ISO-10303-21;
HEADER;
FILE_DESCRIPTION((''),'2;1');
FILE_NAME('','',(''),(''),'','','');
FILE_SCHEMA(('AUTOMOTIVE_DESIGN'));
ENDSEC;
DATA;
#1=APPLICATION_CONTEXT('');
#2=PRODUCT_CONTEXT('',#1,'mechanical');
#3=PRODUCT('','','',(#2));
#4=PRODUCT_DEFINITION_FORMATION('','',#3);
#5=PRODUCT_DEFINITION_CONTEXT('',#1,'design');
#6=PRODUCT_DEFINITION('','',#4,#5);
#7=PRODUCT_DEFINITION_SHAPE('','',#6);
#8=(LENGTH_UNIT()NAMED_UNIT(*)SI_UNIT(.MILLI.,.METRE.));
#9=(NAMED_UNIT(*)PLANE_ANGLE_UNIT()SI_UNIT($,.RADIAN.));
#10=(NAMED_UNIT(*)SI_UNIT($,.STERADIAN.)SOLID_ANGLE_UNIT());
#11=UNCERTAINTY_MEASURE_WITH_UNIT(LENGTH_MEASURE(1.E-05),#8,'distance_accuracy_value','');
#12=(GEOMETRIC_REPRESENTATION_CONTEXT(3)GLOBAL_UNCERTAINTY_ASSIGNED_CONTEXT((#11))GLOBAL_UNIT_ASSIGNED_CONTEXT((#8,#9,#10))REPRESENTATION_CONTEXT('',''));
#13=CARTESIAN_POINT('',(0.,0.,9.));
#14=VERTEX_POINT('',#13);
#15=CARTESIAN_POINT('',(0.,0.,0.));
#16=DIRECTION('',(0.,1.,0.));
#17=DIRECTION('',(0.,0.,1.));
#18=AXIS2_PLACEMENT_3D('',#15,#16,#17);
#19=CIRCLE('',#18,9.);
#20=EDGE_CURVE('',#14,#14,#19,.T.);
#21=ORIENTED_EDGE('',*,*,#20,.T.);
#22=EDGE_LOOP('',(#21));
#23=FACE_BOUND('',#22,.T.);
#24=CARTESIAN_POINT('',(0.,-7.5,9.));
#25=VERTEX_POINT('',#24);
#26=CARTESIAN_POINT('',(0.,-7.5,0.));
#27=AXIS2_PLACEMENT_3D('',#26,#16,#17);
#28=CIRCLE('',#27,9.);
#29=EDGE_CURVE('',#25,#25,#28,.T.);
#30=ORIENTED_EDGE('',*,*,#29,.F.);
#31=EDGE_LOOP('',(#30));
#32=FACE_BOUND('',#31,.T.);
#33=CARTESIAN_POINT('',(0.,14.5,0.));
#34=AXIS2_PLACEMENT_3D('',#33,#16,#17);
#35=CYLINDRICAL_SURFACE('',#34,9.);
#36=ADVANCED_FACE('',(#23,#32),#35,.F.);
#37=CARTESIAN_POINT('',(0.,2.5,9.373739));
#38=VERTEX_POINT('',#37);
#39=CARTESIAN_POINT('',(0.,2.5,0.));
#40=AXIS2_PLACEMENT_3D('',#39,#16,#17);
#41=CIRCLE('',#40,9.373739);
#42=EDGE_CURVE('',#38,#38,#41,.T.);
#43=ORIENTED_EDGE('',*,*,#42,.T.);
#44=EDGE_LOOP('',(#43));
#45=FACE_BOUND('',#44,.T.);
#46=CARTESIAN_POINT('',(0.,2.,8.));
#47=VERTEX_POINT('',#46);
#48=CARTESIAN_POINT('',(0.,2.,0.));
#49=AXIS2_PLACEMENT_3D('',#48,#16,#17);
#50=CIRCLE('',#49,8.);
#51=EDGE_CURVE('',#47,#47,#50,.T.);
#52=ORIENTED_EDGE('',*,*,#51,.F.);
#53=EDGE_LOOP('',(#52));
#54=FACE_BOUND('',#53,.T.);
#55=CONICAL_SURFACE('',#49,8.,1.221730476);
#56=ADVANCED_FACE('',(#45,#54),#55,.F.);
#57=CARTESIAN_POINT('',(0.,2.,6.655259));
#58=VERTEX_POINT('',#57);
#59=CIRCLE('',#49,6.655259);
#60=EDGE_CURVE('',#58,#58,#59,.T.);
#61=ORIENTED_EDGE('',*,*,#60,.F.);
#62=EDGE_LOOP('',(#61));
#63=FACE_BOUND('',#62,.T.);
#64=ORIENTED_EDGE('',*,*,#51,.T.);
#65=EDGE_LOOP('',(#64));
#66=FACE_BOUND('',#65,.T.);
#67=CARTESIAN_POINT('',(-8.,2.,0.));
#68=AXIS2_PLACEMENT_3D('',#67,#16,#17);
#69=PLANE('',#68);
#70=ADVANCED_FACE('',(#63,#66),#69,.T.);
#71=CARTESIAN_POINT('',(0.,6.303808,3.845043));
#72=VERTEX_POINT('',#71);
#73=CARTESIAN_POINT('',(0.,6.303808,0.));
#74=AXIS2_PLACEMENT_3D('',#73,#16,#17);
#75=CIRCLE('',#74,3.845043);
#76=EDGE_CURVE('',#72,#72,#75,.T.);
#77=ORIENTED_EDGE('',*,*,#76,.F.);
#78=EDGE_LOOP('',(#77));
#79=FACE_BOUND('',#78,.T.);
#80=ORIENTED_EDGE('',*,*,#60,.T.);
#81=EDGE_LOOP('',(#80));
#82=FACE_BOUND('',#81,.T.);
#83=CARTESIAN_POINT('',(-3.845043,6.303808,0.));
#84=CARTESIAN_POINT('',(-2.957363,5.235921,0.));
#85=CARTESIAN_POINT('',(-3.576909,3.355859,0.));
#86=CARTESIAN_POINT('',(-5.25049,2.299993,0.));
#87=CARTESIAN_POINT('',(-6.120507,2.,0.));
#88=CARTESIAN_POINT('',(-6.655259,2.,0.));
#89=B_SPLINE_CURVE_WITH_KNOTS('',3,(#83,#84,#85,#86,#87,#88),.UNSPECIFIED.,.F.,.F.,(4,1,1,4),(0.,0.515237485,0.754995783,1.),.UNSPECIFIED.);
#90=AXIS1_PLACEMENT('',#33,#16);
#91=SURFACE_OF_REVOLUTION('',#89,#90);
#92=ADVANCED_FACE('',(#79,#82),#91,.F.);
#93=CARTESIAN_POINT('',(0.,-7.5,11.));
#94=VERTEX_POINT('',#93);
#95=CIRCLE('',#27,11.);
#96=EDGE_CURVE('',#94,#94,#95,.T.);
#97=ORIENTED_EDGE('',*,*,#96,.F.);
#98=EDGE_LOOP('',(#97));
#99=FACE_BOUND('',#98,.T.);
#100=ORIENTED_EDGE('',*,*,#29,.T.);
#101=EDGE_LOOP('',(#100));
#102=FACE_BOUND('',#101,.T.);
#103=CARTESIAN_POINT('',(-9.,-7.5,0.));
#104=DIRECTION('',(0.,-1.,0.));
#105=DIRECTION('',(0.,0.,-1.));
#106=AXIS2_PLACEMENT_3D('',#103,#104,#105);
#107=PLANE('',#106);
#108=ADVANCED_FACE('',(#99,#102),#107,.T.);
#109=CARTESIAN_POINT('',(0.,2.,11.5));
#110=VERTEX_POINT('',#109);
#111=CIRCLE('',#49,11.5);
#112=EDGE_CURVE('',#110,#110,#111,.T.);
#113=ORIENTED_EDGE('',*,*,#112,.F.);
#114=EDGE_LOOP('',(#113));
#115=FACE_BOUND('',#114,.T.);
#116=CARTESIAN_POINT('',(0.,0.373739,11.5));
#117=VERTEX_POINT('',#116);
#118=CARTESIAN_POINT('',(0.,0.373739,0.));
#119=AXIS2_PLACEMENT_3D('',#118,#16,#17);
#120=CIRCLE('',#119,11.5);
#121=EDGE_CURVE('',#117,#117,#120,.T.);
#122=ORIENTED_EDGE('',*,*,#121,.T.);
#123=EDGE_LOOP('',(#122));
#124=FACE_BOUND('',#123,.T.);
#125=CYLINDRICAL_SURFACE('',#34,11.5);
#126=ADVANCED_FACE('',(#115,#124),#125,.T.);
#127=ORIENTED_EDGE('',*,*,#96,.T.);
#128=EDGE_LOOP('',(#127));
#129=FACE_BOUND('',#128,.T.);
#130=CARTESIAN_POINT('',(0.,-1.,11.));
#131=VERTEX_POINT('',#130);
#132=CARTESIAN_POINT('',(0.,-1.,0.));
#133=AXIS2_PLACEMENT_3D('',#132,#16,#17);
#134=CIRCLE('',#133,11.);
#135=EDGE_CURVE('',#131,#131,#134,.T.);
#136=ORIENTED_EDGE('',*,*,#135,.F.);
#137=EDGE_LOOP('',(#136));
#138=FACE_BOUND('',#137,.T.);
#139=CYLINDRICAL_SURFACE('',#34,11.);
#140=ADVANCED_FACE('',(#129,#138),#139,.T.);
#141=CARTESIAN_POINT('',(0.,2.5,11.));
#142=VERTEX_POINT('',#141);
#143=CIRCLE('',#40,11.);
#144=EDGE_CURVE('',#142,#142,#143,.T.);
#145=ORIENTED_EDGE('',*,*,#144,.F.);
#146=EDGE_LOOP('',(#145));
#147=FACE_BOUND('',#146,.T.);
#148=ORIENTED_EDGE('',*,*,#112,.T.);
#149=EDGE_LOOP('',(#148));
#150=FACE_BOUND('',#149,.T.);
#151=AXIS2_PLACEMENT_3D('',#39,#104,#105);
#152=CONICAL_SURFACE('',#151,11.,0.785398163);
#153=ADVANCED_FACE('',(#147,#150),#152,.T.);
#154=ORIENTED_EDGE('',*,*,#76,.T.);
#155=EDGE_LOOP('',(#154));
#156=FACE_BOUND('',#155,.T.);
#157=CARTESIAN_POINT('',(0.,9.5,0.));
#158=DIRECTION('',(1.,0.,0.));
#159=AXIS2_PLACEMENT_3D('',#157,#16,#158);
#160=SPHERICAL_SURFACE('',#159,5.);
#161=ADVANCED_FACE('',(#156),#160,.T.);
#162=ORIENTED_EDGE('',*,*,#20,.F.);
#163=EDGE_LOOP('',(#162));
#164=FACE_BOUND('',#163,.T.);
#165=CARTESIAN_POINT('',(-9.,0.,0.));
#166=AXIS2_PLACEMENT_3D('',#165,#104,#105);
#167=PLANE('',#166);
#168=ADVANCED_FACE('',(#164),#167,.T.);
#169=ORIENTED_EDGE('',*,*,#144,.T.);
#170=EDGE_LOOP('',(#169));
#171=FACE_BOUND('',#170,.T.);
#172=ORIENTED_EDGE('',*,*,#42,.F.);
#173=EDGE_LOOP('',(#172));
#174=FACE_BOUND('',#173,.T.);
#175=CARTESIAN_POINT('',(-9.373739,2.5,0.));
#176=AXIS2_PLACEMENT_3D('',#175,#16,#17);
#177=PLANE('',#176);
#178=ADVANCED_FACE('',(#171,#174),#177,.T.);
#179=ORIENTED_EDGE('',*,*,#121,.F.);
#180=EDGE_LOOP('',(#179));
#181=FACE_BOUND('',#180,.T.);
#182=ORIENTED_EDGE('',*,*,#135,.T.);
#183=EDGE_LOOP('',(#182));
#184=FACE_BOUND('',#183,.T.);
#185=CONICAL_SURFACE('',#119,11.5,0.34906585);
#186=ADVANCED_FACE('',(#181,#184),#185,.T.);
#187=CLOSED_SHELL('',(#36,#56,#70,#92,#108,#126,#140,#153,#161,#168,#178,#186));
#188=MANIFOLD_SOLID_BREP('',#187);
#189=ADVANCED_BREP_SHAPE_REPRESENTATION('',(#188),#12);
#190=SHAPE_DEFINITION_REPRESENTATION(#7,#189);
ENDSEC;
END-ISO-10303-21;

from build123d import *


with BuildPart() as part:
    # Sketch1 → Revolve2 (revolve)
    with BuildSketch(Plane.XY):
        with BuildLine():
            Line((-9, -7.5), (-9, 0))
            Line((-9, 0), (0, 0))
            Line((0, 0), (0, 2))
            Line((0, 2), (0, 14.5))
            ThreePointArc((0, 14.5), (-4.526641021, 11.623563296), (-3.845043489, 6.303808428))
            add(Edge.make_bspline(
                [(-6.655258628, 2), (-6.120506519, 2), (-5.250490252, 2.299992699), (-3.576908903, 3.35585887), (-2.957362509, 5.235921257), (-3.845043489, 6.303808428)],
                knots=[0, 0, 0, 0, 0.245004217, 0.484762515, 1, 1, 1, 1], degree=3))
            Line((-6.655258628, 2), (-8, 2))
            Line((-8, 2), (-9.37373871, 2.5))
            Line((-9.37373871, 2.5), (-11, 2.5))
            Line((-11, 2.5), (-11.5, 2))
            Line((-11.5, 2), (-11.5, 0.37373871))
            Line((-11.5, 0.37373871), (-11, -1))
            Line((-11, -1), (-11, -7.5))
            Line((-11, -7.5), (-9, -7.5))
        make_face()
    revolve(axis=Axis((0, 14.5, 0), (0, -1, 0)))


solid = part.part
